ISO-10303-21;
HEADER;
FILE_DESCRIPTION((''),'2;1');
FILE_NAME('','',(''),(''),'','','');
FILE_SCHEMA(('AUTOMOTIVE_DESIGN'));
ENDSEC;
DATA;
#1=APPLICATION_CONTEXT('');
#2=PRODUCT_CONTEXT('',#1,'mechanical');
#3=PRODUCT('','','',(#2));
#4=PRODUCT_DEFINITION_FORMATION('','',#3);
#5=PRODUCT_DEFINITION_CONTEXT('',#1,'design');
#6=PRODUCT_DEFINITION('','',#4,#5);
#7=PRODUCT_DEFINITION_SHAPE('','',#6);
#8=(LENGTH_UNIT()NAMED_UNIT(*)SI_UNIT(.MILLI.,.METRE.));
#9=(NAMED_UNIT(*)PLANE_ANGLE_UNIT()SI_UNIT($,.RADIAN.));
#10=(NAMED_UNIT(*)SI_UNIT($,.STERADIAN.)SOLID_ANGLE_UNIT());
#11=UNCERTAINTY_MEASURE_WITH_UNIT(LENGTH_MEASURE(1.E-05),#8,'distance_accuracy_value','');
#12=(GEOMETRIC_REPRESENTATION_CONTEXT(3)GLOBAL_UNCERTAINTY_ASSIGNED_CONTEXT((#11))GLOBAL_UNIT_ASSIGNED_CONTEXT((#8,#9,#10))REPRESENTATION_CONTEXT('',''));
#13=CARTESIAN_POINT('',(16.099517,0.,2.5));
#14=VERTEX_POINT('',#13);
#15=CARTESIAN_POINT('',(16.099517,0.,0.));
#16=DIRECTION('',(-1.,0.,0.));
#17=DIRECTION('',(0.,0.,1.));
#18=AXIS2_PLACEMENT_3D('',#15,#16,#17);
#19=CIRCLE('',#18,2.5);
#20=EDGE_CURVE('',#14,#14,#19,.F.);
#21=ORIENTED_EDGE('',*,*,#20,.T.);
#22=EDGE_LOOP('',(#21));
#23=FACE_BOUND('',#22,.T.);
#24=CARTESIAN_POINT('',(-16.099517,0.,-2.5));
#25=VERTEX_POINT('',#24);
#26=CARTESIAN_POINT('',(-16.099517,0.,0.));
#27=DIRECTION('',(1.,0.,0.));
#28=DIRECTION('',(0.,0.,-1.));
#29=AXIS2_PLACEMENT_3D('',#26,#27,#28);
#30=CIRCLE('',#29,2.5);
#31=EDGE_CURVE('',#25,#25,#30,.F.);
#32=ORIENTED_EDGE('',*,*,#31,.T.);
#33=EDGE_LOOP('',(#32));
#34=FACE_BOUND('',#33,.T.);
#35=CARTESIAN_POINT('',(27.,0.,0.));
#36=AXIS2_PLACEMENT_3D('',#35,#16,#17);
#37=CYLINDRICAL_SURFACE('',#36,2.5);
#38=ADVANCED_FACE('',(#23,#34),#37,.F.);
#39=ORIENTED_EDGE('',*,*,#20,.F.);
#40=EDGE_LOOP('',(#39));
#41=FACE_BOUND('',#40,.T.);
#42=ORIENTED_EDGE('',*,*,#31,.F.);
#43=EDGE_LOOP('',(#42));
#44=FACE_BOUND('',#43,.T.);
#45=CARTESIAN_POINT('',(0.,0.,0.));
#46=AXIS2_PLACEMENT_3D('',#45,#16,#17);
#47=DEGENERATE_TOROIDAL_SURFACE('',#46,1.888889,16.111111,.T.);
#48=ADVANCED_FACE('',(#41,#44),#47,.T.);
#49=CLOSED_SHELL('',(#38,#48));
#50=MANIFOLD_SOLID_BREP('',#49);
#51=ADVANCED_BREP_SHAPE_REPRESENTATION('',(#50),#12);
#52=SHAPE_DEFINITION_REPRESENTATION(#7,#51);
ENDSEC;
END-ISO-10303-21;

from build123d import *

# Parameters (mm, degrees)
SKETCH2_R               = 2.5
CUT_EXTRUDE1_DEPTH      = 27
CUT_EXTRUDE1_DEPTH_BACK = 26


with BuildPart() as part:
    # Sketch1 → Revolve1 (revolve)
    with BuildSketch(Plane(origin=(0, 0, 0), x_dir=(1, 0, 0), z_dir=(0, 1, 0))):
        with BuildLine():
            Line((0, 0), (16, 0))
            ThreePointArc((16, 0), (12.041594579, 12.592528514), (0, 18))
            Line((0, 18), (0, 0))
        make_face()
    revolve1 = revolve(axis=Axis((0, 0, 0), (1, 0, 0)))

    # Mirror2: Revolve1 across plane
    add(revolve1.mirror(Plane(origin=(0, 0, 0), x_dir=(0, 0, 1), z_dir=(1, 0, 0))))

    # Sketch2 → Cut-Extrude1 (cut, two sides)
    with BuildSketch(Plane(origin=(0, 0, 0), x_dir=(0, 0, -1), z_dir=(1, 0, 0))) as cut_extrude1_sk:
        Circle(SKETCH2_R)
    extrude(amount=CUT_EXTRUDE1_DEPTH, mode=Mode.SUBTRACT)
    extrude(cut_extrude1_sk.sketch, amount=-CUT_EXTRUDE1_DEPTH_BACK, mode=Mode.SUBTRACT)


solid = part.part
